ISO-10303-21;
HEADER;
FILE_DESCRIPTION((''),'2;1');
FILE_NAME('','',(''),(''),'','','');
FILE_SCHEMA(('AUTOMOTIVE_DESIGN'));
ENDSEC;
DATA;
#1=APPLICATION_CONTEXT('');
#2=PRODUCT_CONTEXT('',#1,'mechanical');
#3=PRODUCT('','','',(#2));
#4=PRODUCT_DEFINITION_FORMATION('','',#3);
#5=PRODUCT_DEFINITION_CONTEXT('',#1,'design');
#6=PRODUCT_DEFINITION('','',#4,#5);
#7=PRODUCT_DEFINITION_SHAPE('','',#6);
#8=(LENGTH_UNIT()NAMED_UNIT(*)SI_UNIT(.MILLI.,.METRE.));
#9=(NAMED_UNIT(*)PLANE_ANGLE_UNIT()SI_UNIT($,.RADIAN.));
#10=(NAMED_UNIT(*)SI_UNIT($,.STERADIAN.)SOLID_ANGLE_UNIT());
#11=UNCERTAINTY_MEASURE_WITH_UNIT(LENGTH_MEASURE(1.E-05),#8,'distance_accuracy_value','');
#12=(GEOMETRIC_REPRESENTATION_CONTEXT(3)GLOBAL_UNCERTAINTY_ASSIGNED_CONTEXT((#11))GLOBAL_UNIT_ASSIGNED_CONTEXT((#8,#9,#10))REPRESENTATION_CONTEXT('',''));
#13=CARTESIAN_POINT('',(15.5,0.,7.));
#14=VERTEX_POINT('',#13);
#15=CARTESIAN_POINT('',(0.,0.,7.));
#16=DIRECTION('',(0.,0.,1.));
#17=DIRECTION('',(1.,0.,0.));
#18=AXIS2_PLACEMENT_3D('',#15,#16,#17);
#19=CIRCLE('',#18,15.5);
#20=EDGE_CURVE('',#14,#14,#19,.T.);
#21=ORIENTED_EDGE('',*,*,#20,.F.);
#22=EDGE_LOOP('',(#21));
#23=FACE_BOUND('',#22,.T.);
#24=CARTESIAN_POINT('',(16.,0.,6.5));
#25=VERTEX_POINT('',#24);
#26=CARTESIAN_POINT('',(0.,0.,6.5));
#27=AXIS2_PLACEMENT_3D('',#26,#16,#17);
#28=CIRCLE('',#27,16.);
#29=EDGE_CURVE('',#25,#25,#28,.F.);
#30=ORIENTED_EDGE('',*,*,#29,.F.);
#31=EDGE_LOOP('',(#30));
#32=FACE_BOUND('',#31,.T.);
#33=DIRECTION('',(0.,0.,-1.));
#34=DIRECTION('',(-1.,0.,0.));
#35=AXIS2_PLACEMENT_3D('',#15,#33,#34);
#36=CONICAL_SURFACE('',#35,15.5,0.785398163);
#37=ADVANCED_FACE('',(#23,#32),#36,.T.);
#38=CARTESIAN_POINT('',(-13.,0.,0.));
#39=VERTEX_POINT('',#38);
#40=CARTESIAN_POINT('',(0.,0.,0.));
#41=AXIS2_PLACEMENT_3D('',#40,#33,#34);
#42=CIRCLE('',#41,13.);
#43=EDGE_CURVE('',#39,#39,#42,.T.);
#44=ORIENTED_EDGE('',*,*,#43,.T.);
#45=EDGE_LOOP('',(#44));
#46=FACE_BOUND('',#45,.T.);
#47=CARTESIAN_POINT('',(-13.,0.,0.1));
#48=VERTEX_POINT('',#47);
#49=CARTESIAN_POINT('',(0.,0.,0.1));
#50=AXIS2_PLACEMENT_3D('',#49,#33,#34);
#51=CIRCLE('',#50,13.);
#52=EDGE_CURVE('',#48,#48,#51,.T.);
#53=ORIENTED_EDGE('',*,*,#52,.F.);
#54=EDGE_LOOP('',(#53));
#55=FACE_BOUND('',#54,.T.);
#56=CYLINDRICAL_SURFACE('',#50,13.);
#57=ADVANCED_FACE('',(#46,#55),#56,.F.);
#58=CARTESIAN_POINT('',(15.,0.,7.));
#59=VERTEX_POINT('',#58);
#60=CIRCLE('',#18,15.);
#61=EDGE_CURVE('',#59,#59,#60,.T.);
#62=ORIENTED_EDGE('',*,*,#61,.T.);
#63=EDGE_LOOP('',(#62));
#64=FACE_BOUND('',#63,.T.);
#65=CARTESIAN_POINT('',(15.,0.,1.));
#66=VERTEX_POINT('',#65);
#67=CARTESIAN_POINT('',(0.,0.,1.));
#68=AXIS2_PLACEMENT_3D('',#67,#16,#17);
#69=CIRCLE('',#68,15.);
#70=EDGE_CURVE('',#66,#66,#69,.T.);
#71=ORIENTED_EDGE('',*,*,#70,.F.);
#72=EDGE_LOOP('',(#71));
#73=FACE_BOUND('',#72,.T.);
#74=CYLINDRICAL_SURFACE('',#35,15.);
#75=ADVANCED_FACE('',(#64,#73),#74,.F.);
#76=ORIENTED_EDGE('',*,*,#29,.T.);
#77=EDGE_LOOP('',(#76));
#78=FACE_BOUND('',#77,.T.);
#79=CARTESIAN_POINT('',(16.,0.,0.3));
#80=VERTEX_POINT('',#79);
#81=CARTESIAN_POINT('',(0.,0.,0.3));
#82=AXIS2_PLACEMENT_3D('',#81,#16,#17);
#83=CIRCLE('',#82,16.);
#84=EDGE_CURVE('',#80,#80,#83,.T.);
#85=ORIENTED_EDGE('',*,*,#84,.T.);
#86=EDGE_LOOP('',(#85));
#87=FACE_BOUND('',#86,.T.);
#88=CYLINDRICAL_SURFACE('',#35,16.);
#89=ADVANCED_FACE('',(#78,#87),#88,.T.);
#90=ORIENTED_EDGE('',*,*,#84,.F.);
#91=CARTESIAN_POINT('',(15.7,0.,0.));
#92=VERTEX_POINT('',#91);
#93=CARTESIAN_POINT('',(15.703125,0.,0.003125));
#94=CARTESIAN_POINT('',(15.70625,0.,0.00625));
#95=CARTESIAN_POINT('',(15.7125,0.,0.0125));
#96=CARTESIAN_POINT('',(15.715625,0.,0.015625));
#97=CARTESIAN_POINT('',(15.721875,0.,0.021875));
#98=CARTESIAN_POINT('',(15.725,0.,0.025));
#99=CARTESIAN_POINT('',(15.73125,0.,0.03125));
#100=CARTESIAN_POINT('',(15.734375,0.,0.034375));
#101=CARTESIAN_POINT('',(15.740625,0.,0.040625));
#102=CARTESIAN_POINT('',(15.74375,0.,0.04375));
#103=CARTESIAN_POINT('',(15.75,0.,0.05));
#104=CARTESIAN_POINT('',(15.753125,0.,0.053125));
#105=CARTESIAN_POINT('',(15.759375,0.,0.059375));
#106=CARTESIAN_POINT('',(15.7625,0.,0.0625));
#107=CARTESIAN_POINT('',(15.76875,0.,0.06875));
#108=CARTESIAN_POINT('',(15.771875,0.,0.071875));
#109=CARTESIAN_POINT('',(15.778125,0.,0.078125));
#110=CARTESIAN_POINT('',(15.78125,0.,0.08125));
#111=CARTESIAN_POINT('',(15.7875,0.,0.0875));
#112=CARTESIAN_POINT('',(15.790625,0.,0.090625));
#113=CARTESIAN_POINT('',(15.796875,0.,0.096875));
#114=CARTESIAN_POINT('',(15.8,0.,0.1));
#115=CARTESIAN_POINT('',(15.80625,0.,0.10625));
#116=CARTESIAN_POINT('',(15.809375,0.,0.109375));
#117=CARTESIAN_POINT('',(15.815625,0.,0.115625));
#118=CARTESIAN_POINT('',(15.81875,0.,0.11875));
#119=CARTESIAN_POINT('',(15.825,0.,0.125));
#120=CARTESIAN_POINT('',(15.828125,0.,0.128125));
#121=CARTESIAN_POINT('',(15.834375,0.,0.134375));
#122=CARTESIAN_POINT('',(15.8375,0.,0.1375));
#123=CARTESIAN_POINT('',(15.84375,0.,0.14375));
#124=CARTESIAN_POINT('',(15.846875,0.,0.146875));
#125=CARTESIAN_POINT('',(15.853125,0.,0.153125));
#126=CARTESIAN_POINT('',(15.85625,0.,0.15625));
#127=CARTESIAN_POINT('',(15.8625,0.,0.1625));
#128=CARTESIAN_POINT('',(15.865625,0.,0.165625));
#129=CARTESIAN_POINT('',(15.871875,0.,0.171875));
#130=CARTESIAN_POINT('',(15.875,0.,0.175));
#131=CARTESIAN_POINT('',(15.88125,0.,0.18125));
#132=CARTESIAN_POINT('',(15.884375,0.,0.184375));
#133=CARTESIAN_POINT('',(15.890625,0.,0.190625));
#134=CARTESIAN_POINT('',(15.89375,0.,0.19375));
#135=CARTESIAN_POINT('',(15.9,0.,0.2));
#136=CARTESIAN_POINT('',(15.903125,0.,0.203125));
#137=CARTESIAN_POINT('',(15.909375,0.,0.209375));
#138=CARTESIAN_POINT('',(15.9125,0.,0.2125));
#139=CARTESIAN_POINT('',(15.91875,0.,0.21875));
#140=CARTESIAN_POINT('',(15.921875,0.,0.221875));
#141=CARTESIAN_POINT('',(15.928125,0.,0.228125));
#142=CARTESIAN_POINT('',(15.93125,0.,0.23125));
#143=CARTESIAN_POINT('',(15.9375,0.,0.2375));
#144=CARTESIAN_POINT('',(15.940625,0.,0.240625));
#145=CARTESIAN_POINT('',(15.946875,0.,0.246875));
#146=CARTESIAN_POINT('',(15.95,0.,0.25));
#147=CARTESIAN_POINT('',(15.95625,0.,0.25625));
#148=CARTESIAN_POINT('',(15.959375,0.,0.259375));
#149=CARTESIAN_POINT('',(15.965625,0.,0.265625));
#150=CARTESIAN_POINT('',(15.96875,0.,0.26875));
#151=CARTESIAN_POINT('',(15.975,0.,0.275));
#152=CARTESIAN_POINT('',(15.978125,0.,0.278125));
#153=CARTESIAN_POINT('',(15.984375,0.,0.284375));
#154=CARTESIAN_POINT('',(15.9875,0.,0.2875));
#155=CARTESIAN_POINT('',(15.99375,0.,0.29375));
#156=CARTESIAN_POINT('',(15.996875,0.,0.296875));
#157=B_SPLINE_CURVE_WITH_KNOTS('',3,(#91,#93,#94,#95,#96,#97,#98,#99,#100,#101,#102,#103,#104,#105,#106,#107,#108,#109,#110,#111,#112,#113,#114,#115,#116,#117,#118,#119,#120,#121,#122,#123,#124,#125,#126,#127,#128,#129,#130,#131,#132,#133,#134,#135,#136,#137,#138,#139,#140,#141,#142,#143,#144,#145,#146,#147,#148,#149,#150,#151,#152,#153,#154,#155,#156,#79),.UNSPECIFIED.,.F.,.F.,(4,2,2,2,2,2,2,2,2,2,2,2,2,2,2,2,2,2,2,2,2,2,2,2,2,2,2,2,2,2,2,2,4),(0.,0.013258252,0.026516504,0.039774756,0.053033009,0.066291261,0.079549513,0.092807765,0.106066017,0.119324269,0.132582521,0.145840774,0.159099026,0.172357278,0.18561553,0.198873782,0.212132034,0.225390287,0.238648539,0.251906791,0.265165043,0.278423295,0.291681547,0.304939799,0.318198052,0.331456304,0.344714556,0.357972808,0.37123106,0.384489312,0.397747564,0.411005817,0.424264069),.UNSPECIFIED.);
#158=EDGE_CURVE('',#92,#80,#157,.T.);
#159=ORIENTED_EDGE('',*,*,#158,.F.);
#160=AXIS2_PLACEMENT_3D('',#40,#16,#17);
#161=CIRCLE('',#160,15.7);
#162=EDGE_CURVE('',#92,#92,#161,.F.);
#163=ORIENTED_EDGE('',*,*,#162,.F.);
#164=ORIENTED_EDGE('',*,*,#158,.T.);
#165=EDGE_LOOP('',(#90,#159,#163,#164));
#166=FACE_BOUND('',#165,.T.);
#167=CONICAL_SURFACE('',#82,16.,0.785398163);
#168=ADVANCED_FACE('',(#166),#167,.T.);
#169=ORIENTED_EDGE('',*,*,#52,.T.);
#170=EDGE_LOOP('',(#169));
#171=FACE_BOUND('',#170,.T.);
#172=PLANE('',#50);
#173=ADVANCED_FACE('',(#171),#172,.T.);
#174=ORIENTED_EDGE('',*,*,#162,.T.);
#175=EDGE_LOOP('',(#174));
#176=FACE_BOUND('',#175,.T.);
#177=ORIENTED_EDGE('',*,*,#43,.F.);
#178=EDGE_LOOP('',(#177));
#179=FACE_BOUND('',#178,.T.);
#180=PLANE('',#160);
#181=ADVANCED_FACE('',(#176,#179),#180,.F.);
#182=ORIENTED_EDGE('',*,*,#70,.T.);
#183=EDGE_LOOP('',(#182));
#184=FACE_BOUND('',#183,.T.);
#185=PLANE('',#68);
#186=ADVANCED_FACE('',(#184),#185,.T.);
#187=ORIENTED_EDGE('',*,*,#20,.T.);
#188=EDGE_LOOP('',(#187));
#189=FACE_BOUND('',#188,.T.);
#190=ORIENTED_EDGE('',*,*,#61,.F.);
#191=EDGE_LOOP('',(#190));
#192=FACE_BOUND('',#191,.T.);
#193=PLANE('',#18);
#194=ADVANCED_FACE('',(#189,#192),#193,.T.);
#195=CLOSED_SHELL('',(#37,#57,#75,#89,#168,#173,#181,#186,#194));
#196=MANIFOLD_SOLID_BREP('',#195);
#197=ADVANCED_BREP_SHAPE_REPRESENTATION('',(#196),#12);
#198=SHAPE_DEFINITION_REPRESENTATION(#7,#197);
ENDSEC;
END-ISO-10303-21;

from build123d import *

# Parameters (mm, degrees)
SKICA1_R                 = 16
P_IDAT_VYSUNUT_M1_DEPTH  = 7
SKO_EPINA1_T             = -1
SKICA2_R                 = 13
ODEBRAT_VYSUNUT_M1_DEPTH = 0.1
ZKOSEN_1_SIZE            = 0.5
ZKOSEN_2_SIZE            = 0.3


with BuildPart() as part:
    # Skica1 → Přidat vysunutím1 (new body)
    with BuildSketch(Plane.XY):
        Circle(SKICA1_R)
    extrude(amount=P_IDAT_VYSUNUT_M1_DEPTH)

    # Skořepina1
    sko_epina1_openings = [part.faces().sort_by_distance(p)[0] for p in [
        (0, 0, 7),
    ]]
    offset(amount=SKO_EPINA1_T, openings=sko_epina1_openings, kind=Kind.INTERSECTION)

    # Skica2 → Odebrat vysunutím1 (cut)
    with BuildSketch(Plane(origin=(0, 0, 0), x_dir=(-1, 0, 0), z_dir=(0, 0, -1))):
        Circle(SKICA2_R)
    extrude(amount=-ODEBRAT_VYSUNUT_M1_DEPTH, mode=Mode.SUBTRACT)

    # Zkosení1
    zkosen_1_edges = [part.edges().sort_by_distance(p)[0] for p in [
        (-16, 0, 7),
    ]]
    chamfer(zkosen_1_edges, length=ZKOSEN_1_SIZE)

    # Zkosení2
    zkosen_2_edges = [part.edges().sort_by_distance(p)[0] for p in [
        (-16, 0, 0),
    ]]
    chamfer(zkosen_2_edges, length=ZKOSEN_2_SIZE)


solid = part.part
